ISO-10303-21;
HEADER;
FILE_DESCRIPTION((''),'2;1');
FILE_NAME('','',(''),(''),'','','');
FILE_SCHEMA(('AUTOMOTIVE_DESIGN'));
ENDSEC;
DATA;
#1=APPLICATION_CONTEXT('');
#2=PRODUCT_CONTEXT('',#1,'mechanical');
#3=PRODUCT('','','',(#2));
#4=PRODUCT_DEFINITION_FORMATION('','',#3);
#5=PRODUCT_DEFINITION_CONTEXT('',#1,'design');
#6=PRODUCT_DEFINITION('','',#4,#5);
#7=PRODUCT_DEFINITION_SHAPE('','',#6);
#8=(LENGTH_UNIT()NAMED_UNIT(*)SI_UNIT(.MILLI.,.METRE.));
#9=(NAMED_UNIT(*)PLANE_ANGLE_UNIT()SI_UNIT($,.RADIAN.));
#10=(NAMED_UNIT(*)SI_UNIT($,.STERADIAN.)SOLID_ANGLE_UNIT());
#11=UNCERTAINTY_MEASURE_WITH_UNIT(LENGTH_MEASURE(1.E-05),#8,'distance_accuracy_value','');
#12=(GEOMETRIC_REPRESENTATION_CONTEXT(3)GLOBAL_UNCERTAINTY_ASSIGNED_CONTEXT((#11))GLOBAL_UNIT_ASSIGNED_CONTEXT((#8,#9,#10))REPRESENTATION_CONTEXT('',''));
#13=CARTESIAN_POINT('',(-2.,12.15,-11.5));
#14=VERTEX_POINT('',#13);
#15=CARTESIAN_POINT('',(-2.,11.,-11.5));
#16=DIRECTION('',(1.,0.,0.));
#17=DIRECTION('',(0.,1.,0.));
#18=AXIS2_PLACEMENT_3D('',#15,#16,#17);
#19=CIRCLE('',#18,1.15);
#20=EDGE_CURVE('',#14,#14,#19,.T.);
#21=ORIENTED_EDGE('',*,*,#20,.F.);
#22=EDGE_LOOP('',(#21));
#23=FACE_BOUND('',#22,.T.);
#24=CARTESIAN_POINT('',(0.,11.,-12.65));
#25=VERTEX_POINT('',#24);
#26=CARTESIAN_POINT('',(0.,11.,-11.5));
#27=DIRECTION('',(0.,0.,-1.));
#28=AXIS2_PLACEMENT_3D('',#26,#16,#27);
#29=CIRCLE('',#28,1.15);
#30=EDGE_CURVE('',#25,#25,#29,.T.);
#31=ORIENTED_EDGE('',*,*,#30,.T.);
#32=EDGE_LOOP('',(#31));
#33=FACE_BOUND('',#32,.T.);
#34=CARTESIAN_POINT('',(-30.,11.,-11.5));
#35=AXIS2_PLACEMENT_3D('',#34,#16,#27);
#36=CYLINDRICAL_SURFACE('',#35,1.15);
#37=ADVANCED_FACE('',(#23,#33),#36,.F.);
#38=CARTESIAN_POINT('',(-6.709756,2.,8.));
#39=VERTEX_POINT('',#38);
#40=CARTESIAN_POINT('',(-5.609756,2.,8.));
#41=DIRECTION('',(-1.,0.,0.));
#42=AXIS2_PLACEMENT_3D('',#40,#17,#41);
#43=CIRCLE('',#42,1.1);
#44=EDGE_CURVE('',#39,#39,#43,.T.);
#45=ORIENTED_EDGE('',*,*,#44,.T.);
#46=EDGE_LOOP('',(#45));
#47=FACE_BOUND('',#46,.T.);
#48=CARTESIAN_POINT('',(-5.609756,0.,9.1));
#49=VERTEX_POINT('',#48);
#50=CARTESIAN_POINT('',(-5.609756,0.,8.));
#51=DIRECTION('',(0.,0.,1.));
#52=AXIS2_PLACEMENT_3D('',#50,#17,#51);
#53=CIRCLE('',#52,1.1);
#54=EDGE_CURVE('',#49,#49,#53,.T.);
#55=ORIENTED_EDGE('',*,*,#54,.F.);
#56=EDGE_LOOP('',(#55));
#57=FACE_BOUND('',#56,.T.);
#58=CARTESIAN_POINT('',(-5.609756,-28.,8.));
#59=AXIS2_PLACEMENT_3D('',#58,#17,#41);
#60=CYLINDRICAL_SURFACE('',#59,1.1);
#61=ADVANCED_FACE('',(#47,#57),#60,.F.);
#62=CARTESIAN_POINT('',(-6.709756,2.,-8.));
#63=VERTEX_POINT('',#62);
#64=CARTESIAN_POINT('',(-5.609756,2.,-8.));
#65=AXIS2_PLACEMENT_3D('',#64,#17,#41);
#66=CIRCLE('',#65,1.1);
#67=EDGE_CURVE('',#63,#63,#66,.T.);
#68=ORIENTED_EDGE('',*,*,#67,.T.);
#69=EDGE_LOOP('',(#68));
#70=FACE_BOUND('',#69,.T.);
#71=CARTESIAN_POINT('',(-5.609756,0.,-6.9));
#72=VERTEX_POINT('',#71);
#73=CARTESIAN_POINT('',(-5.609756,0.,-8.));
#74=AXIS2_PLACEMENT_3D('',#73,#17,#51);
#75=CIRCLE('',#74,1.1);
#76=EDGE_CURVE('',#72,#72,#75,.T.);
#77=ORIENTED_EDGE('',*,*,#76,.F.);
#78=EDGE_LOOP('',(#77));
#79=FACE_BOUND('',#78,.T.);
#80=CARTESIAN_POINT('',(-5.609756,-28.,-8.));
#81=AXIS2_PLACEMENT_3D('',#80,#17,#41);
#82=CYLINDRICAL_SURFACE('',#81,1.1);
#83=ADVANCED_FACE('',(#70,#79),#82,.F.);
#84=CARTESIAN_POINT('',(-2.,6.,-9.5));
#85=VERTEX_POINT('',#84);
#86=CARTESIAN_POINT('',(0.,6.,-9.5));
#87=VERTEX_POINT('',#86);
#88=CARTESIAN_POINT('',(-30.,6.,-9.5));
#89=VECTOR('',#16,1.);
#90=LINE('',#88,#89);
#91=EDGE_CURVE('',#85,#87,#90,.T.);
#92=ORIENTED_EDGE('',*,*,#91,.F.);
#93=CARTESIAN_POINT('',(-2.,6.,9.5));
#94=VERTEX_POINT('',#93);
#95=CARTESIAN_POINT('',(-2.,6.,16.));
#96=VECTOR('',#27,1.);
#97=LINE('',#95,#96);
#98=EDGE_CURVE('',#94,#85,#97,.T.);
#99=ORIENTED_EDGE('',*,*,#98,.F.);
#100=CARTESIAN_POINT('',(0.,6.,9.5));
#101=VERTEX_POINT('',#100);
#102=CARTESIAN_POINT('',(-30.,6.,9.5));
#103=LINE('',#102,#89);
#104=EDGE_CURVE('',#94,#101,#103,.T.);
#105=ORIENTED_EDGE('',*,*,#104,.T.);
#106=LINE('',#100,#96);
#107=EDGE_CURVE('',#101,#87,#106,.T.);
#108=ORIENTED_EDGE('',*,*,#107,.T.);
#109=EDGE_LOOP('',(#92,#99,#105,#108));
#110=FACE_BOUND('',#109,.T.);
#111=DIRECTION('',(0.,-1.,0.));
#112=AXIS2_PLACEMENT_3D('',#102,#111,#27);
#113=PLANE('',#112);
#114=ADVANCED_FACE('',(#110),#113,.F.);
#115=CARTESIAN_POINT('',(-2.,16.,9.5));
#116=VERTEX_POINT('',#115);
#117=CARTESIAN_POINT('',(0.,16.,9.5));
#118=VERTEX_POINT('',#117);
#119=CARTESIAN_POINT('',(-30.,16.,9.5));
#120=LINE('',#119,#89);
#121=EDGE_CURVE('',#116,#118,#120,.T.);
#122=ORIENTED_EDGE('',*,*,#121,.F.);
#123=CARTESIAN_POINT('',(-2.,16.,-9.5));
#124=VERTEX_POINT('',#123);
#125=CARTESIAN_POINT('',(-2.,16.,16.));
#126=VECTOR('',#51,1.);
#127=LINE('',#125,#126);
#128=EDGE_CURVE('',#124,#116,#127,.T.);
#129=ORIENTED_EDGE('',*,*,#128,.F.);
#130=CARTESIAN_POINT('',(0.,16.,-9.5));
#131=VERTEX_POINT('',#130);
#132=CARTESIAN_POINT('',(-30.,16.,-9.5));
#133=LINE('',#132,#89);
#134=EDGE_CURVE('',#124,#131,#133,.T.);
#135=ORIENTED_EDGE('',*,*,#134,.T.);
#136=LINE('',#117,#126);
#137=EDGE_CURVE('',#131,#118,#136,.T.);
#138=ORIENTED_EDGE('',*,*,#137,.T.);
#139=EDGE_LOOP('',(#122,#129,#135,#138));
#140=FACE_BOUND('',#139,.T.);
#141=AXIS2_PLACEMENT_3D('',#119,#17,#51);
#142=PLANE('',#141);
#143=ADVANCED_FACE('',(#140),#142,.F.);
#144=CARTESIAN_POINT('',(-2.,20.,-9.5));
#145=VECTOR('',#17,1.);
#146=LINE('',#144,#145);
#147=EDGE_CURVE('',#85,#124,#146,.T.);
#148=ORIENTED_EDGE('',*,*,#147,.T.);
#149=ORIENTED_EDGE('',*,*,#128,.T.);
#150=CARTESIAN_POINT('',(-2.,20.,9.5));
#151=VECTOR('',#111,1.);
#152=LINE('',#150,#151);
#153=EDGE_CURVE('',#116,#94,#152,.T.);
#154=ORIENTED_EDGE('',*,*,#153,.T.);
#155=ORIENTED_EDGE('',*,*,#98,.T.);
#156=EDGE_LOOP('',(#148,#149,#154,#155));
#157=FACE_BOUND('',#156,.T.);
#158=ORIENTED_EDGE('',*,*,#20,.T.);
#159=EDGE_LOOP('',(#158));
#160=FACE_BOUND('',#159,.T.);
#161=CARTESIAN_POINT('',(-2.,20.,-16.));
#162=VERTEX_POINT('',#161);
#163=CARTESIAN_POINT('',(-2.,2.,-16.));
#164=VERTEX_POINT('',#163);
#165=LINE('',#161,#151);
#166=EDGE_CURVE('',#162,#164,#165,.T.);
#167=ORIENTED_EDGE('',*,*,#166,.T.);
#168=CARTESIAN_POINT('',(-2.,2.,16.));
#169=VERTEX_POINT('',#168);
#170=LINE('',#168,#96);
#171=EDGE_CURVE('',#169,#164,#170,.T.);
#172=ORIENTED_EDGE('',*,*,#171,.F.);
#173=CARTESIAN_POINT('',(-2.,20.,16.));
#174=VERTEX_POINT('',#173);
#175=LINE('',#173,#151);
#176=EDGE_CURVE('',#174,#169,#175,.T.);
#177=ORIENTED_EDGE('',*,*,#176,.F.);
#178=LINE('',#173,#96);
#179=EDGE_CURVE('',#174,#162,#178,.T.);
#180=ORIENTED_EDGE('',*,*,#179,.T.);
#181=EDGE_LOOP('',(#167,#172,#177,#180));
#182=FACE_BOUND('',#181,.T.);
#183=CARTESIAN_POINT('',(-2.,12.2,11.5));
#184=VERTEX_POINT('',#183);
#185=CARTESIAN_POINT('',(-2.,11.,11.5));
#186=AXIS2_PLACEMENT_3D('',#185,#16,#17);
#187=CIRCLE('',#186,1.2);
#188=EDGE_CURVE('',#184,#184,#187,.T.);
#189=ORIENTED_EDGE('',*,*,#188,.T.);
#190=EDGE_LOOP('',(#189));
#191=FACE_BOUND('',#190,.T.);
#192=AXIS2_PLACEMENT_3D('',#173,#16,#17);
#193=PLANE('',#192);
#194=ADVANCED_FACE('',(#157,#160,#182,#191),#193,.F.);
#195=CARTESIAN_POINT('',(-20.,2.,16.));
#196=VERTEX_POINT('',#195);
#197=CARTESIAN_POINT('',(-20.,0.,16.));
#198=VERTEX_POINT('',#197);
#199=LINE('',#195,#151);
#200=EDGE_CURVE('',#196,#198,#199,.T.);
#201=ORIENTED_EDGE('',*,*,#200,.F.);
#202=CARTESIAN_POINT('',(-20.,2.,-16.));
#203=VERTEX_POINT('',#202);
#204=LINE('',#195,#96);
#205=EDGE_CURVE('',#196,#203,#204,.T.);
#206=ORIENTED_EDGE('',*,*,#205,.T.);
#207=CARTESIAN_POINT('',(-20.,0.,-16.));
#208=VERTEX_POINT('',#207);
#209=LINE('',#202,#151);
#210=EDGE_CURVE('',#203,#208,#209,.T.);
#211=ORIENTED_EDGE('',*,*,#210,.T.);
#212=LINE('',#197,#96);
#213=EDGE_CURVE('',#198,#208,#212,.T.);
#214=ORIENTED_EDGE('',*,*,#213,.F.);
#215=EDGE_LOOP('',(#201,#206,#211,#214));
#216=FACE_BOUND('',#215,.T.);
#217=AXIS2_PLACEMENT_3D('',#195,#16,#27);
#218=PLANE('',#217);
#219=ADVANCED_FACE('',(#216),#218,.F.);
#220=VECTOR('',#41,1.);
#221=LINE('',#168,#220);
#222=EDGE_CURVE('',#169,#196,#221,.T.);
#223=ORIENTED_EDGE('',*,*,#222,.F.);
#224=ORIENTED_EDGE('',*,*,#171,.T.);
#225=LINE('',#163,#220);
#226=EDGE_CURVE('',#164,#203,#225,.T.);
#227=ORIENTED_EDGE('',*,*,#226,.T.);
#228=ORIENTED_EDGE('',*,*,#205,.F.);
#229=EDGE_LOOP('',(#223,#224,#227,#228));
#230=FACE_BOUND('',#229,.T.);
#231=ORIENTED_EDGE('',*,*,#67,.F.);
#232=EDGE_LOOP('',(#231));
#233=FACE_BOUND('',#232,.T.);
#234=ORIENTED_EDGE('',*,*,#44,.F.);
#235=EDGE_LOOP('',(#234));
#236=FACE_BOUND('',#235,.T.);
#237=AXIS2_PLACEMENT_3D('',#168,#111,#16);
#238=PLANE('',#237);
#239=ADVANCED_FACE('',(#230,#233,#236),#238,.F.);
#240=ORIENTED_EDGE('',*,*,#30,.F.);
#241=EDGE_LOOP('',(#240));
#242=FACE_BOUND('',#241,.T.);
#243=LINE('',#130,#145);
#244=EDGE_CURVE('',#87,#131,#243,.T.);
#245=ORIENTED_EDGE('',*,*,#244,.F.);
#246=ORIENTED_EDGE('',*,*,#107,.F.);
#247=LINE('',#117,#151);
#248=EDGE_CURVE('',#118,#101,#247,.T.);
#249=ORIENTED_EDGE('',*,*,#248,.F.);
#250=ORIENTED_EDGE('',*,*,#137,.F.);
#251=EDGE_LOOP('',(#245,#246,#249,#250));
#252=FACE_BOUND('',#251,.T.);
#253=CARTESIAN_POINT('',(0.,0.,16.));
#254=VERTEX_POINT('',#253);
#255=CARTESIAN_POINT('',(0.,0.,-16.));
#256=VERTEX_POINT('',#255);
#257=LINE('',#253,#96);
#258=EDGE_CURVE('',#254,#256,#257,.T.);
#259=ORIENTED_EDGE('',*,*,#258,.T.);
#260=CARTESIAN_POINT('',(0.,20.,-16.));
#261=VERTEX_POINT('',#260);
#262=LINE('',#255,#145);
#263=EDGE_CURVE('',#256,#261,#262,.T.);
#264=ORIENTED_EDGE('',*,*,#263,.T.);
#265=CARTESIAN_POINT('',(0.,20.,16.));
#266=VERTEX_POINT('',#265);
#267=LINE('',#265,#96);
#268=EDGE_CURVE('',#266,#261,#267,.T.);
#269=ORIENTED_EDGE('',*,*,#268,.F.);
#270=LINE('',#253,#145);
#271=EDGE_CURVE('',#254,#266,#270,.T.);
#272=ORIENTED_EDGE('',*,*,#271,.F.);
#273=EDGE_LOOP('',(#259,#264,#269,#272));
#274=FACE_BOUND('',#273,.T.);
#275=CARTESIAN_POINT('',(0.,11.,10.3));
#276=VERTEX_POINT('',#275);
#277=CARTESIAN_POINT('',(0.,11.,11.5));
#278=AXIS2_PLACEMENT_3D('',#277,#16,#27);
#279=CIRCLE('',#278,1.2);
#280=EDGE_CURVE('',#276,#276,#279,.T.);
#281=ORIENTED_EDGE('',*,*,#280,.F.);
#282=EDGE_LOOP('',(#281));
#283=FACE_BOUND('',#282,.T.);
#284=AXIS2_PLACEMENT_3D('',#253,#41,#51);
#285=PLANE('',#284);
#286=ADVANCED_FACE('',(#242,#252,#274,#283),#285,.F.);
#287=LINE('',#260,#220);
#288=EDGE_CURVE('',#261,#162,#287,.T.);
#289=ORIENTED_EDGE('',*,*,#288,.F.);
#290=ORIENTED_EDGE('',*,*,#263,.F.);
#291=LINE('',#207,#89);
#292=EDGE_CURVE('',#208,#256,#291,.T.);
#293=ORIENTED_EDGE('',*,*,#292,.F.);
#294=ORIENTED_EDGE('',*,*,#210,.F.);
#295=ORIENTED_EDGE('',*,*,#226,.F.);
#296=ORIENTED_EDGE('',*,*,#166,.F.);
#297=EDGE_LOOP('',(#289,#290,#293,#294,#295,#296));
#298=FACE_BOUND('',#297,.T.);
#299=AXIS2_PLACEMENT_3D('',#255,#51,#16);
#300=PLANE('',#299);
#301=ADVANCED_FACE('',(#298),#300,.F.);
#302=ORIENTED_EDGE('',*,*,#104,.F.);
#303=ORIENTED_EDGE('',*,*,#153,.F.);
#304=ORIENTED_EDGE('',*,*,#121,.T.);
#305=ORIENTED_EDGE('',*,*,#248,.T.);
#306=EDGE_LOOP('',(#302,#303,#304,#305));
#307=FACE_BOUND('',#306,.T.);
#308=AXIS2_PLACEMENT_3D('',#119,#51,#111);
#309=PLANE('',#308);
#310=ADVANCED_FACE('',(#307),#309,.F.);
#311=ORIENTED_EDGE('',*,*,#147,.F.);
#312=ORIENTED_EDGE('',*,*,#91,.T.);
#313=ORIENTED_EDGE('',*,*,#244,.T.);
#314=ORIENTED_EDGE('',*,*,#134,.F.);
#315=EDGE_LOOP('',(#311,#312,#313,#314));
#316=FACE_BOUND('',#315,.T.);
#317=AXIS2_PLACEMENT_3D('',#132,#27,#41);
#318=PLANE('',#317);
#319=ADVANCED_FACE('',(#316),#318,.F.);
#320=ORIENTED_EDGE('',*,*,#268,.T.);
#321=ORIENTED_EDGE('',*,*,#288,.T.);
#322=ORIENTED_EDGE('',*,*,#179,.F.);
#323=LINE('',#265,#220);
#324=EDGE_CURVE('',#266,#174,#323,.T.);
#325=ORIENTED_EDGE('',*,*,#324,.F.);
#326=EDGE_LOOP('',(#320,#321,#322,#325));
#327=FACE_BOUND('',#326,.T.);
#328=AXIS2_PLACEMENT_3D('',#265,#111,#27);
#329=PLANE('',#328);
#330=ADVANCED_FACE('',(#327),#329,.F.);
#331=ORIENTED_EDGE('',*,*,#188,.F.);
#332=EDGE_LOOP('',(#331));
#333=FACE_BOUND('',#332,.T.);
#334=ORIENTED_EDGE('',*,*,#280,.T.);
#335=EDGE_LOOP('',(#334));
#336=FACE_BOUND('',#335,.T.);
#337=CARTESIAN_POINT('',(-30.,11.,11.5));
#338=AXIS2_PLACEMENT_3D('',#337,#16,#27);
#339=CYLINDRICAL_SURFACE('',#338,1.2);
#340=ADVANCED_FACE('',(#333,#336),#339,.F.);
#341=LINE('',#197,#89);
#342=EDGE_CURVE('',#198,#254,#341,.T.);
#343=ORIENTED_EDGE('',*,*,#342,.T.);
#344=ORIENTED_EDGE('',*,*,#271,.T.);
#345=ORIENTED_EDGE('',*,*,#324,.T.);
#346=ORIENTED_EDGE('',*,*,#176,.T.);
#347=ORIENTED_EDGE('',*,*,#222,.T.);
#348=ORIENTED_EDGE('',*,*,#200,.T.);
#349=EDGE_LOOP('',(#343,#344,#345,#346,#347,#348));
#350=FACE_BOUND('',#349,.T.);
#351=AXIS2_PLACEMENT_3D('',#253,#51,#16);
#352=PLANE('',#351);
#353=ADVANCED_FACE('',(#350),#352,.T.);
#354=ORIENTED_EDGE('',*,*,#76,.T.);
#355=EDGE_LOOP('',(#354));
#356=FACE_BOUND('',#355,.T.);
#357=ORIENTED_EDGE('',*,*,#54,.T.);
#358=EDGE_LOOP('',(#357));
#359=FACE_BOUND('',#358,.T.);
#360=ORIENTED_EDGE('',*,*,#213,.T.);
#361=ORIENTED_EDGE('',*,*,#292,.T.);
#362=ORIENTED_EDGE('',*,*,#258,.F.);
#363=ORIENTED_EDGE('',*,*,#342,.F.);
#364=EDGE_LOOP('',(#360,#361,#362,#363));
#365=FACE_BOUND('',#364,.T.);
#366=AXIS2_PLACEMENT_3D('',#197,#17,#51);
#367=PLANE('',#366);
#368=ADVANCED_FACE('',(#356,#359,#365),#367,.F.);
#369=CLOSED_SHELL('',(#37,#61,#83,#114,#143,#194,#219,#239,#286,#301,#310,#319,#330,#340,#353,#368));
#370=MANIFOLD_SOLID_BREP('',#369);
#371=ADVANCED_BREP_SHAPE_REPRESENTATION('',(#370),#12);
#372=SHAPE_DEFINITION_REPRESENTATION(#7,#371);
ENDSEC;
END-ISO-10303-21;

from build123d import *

# Parameters (mm, degrees)
EXTRUDE_1_DEPTH     = 16
SKETCH_4_R          = 1.15
SKETCH_4_R_2        = 1.2
SKETCH_4_W          = 19
SKETCH_4_H          = 10
CUT_EXTRUDE_1_DEPTH = 30
SKETCH_5_R          = 1.1
CUT_EXTRUDE_2_DEPTH = 30


with BuildPart() as part:
    # 草图2 → 凸台-拉伸1 (new body, symmetric)
    with BuildSketch(Plane.XY):
        Polygon((-20, 0), (0, 0), (0, 20), (-2, 20), (-2, 2), (-20, 2), align=None)
    extrude(amount=EXTRUDE_1_DEPTH, both=True)

    # 草图4 → 切除-拉伸1 (cut)
    with BuildSketch(Plane(origin=(0, 0, 0), x_dir=(0, 0, -1), z_dir=(1, 0, 0))):
        with Locations((11.5, 11)):
            Circle(SKETCH_4_R)
        with Locations((-11.5, 11)):
            Circle(SKETCH_4_R_2)
        with Locations((0, 11)):
            Rectangle(SKETCH_4_W, SKETCH_4_H)
    extrude(amount=-CUT_EXTRUDE_1_DEPTH, mode=Mode.SUBTRACT)

    # 草图5 → 切除-拉伸2 (cut)
    with BuildSketch(Plane(origin=(0, 2, 0), x_dir=(1, 0, 0), z_dir=(0, 1, 0))):
        with Locations((-5.609756098, 8)):
            Circle(SKETCH_5_R)
        with Locations((-5.609756098, -8)):
            Circle(SKETCH_5_R)
    extrude(amount=-CUT_EXTRUDE_2_DEPTH, mode=Mode.SUBTRACT)


solid = part.part
